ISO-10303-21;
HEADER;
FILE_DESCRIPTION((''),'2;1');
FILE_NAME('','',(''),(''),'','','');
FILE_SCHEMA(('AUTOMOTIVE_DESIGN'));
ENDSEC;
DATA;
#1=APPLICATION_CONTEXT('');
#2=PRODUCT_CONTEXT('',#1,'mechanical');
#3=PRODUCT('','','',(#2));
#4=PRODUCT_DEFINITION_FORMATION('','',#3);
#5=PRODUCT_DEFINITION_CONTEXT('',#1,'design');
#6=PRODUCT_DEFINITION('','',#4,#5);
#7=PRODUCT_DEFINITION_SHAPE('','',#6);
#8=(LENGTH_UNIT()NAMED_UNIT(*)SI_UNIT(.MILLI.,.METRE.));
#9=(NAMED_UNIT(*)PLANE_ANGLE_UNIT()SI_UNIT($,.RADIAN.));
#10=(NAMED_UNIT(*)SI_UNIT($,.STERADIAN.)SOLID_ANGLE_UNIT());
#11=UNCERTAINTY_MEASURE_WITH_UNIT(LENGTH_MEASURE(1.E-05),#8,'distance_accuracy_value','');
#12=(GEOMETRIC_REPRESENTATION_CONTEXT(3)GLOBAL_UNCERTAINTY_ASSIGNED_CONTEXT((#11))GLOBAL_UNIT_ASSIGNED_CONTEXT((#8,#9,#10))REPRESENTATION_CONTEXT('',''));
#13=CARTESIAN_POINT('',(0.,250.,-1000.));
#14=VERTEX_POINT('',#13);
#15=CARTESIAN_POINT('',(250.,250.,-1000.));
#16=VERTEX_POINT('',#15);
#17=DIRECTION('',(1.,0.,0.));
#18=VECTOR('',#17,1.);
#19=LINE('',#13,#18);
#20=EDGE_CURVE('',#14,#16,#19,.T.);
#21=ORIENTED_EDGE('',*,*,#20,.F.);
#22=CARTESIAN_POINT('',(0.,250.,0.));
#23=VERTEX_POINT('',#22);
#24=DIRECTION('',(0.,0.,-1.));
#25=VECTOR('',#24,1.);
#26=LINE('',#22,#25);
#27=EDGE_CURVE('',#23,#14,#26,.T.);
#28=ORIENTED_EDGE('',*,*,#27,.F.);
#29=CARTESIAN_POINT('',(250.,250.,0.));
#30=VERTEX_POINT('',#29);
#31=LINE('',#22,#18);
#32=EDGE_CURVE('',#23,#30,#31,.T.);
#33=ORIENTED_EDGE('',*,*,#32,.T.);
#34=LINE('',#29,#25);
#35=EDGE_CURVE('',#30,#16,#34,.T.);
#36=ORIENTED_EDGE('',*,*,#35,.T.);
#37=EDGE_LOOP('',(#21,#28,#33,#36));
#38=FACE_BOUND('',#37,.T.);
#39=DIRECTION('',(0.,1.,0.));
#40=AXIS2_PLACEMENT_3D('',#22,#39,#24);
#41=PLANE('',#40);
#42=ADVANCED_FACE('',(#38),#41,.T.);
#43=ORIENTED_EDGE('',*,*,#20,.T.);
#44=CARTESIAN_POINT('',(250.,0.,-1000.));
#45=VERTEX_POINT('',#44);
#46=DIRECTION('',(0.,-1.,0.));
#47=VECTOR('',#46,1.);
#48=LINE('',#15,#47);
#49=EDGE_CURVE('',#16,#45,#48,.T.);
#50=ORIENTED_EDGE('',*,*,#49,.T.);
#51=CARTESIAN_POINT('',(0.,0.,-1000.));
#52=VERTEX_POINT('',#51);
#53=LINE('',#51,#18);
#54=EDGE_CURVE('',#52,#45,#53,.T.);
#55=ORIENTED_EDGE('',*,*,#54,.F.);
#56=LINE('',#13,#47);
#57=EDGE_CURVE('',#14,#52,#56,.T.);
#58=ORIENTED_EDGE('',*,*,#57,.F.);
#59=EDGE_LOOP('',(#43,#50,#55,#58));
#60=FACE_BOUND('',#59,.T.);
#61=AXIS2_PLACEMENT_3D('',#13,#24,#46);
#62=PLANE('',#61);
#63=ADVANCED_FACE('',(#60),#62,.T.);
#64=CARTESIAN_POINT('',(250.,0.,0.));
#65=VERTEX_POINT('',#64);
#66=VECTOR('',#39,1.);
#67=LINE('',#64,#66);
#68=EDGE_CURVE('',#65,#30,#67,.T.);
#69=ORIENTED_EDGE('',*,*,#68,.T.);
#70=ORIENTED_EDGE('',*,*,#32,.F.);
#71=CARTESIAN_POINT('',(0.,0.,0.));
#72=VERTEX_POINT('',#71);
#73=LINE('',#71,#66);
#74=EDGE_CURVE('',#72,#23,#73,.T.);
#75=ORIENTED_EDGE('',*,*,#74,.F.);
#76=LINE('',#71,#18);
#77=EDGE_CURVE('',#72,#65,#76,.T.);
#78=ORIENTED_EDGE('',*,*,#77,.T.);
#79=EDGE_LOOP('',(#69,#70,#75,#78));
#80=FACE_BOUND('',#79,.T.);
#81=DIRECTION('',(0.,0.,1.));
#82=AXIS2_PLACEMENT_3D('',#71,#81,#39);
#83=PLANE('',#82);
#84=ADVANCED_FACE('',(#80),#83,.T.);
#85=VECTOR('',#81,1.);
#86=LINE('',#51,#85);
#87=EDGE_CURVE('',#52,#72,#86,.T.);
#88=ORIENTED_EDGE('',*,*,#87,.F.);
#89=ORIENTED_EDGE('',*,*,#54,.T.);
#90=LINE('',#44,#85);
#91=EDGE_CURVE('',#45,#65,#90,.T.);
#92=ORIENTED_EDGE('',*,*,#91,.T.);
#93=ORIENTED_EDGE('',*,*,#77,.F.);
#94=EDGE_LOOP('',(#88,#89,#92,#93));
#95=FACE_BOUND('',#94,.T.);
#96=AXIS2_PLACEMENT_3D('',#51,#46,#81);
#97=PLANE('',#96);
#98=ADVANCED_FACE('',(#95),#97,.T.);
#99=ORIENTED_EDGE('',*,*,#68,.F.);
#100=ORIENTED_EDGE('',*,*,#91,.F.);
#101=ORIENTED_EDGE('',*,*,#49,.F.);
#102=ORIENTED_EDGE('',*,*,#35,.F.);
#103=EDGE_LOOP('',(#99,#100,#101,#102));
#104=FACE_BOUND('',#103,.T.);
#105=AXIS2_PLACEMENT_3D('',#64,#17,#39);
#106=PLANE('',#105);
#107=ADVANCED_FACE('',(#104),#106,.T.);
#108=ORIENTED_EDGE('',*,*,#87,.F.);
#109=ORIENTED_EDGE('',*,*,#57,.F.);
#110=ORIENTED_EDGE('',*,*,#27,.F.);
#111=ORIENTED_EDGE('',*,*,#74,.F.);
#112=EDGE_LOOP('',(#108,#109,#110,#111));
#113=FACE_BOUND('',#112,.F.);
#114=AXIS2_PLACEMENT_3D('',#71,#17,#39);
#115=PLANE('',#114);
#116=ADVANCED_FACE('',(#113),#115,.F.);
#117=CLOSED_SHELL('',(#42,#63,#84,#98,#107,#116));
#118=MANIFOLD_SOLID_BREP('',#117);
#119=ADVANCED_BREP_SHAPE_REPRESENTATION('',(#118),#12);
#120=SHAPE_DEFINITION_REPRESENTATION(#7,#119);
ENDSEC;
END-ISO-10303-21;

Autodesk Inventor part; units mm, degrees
ref_plane "YZ Plane" through (0, 0, 0) normal (1, 0, 0) x (0, 1, 0)
ref_plane "XZ Plane" through (0, 0, 0) normal (0, 1, 0) x (-1, 0, 0)
ref_plane "XY Plane" through (0, 0, 0) normal (0, 0, 1) x (1, 0, 0)
sketch "Sketch1" plane through (0, 0, 0) normal (1, 0, 0) x (0, 1, 0)
  line L0 (0, 0) -> (250, 0)
  line L1 (250, 0) -> (250, -1000)
  line L2 (250, -1000) -> (0, -1000)
  line L3 (0, -1000) -> (0, 0)
  dimension "d0" = 250
  dimension "d1" = 1000
extrude "Extrusion1" add sketch "Sketch1" along normal blind 250
properties part number "1x4 beam"
